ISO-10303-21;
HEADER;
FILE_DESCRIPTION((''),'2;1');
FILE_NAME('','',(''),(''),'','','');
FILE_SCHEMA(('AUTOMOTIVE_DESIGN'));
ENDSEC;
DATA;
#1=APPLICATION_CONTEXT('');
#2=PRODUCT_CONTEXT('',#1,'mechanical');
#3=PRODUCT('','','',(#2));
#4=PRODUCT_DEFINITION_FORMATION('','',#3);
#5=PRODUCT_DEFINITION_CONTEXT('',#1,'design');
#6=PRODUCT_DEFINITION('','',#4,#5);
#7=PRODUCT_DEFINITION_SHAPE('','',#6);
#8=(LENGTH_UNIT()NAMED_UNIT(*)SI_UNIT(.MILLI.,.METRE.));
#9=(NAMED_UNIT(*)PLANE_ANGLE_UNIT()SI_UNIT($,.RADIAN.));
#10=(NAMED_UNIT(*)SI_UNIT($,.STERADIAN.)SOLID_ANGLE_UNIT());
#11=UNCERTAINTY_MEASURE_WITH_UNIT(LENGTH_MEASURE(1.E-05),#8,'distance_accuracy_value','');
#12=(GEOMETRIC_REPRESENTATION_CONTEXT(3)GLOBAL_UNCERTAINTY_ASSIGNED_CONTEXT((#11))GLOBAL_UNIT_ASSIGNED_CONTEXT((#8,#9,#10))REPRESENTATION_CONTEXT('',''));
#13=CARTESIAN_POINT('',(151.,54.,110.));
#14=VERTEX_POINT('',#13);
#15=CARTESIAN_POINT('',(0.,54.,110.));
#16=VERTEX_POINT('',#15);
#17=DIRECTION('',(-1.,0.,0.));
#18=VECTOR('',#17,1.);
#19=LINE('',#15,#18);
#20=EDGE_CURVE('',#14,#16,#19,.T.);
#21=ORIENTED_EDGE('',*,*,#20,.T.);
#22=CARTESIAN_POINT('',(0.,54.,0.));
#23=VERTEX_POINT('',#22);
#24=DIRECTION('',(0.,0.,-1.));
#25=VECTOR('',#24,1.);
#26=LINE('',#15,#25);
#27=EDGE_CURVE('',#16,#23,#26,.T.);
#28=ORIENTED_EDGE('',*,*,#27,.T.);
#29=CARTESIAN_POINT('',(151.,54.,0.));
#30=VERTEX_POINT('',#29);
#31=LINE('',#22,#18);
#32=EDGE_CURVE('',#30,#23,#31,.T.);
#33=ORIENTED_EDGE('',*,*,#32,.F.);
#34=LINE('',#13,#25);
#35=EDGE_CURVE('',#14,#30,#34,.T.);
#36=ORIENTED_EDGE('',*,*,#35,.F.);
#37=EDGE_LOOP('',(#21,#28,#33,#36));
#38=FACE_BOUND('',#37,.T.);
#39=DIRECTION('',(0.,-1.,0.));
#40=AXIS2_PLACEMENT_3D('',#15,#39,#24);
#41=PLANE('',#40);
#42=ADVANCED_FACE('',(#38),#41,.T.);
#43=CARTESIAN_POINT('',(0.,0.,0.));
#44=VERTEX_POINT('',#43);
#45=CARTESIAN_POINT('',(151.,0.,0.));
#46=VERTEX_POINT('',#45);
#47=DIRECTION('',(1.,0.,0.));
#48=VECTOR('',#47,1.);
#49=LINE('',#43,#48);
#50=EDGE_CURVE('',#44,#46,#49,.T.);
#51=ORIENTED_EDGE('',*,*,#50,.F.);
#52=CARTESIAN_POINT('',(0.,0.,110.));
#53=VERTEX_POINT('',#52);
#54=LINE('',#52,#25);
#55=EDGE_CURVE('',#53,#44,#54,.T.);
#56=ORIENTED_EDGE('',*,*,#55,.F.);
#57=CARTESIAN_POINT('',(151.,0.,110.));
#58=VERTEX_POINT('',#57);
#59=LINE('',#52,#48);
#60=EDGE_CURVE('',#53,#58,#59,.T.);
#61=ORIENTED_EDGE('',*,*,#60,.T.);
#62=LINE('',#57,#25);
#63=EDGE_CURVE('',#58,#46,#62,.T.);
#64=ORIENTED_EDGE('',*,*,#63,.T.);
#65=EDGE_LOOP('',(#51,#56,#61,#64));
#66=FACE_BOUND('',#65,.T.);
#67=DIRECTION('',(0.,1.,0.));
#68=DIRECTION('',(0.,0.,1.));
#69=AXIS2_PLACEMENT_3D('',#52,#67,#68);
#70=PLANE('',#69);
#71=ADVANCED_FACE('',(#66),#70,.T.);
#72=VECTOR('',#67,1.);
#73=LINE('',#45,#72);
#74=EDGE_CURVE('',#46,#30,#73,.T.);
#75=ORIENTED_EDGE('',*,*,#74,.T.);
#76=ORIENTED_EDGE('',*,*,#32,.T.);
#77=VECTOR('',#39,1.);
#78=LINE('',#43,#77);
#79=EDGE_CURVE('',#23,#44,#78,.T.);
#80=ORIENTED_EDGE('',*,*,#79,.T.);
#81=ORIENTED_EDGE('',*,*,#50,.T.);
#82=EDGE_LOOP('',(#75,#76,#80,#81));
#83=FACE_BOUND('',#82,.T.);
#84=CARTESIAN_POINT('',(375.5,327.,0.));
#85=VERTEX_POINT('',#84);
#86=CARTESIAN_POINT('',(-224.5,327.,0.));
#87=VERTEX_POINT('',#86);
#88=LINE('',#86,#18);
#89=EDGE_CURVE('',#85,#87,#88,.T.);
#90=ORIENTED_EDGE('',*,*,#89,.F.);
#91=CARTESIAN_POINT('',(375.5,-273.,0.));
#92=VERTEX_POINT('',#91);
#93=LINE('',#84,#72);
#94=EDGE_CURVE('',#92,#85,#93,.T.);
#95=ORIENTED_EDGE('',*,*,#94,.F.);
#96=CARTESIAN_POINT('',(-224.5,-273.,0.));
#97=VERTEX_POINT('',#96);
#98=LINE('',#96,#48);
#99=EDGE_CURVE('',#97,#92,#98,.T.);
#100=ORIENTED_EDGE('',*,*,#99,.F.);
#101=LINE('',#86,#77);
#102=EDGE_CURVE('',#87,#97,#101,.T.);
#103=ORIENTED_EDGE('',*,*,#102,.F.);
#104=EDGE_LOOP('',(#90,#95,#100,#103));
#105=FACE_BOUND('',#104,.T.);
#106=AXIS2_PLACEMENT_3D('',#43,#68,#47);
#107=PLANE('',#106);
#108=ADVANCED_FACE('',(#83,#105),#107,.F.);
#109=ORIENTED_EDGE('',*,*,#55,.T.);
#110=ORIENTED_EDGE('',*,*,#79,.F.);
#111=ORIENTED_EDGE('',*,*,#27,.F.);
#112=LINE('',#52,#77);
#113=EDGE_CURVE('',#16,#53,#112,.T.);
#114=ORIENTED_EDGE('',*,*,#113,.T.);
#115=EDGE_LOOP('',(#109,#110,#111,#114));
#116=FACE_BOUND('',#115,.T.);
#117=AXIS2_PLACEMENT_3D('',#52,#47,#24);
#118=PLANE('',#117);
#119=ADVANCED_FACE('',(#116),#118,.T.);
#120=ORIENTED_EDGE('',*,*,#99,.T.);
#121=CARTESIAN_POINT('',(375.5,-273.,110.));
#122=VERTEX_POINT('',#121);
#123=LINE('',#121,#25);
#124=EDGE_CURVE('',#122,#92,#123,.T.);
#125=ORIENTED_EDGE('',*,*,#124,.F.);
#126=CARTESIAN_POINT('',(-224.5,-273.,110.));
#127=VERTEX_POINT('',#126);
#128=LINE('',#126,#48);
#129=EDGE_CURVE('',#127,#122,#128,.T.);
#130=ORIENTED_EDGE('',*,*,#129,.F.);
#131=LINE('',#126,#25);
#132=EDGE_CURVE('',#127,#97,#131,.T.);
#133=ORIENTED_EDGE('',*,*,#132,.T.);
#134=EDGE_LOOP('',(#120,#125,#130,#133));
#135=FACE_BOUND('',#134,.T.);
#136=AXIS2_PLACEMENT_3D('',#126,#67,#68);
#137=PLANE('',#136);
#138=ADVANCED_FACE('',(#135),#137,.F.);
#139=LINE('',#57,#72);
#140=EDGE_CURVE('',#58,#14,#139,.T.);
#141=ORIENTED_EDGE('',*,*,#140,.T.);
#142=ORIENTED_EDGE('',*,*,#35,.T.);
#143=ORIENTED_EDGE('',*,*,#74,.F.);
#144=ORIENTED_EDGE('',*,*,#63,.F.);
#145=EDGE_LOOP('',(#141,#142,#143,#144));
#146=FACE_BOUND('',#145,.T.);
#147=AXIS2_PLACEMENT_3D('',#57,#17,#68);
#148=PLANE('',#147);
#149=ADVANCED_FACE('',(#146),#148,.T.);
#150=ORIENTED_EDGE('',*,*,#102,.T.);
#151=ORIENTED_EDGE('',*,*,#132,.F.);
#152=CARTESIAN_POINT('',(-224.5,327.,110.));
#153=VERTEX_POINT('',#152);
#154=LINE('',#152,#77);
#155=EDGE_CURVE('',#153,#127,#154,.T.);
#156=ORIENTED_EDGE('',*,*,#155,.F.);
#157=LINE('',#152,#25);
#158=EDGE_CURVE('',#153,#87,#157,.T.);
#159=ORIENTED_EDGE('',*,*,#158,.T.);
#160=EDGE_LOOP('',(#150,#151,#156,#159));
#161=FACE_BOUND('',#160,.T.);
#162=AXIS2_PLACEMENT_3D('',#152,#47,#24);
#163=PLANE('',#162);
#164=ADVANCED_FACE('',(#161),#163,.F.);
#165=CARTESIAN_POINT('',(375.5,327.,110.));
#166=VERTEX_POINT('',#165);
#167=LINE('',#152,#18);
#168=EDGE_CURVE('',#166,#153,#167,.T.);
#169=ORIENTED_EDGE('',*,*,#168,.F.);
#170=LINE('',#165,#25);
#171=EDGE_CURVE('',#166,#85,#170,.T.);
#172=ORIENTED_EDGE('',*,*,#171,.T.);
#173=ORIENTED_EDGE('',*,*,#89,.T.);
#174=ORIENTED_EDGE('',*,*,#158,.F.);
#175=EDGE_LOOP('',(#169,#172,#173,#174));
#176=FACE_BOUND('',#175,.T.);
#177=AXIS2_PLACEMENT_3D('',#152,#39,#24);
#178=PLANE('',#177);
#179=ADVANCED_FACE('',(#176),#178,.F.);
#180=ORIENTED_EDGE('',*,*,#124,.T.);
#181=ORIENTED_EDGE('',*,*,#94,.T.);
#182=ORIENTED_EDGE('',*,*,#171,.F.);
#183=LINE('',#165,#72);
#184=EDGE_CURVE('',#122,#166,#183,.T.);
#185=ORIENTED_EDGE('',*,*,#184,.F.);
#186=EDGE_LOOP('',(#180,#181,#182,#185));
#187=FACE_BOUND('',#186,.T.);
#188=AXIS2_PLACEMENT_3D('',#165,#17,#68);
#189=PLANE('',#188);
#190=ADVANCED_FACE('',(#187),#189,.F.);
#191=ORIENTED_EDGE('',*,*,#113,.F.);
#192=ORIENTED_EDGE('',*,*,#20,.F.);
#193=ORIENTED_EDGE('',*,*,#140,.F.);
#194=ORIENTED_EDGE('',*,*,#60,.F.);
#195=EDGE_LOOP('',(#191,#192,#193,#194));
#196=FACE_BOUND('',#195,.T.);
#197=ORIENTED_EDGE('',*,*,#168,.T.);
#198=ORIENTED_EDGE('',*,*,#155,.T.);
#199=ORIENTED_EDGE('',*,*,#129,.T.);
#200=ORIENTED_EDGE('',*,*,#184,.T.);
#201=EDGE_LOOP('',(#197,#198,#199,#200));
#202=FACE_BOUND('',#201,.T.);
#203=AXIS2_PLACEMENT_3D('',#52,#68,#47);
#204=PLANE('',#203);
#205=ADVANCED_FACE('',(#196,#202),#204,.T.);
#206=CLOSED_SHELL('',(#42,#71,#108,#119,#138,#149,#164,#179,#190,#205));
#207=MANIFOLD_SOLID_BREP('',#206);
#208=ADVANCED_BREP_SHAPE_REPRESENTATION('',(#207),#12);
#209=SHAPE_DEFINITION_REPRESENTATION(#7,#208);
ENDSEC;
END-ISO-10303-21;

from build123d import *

# Parameters (mm, degrees)
SKETCH_1_W      = 600
SKETCH_1_H      = 600
SKETCH_1_W_2    = 151
SKETCH_1_H_2    = 54
EXTRUDE_1_DEPTH = 110


with BuildPart() as part:
    # Эскиз1 → Бобышка-Вытянуть1 (new body)
    with BuildSketch(Plane.XY):
        with Locations((75.5, 27)):
            Rectangle(SKETCH_1_W, SKETCH_1_H)
        with Locations((75.5, 27)):
            Rectangle(SKETCH_1_W_2, SKETCH_1_H_2, mode=Mode.SUBTRACT)
    extrude(amount=EXTRUDE_1_DEPTH)


solid = part.part
